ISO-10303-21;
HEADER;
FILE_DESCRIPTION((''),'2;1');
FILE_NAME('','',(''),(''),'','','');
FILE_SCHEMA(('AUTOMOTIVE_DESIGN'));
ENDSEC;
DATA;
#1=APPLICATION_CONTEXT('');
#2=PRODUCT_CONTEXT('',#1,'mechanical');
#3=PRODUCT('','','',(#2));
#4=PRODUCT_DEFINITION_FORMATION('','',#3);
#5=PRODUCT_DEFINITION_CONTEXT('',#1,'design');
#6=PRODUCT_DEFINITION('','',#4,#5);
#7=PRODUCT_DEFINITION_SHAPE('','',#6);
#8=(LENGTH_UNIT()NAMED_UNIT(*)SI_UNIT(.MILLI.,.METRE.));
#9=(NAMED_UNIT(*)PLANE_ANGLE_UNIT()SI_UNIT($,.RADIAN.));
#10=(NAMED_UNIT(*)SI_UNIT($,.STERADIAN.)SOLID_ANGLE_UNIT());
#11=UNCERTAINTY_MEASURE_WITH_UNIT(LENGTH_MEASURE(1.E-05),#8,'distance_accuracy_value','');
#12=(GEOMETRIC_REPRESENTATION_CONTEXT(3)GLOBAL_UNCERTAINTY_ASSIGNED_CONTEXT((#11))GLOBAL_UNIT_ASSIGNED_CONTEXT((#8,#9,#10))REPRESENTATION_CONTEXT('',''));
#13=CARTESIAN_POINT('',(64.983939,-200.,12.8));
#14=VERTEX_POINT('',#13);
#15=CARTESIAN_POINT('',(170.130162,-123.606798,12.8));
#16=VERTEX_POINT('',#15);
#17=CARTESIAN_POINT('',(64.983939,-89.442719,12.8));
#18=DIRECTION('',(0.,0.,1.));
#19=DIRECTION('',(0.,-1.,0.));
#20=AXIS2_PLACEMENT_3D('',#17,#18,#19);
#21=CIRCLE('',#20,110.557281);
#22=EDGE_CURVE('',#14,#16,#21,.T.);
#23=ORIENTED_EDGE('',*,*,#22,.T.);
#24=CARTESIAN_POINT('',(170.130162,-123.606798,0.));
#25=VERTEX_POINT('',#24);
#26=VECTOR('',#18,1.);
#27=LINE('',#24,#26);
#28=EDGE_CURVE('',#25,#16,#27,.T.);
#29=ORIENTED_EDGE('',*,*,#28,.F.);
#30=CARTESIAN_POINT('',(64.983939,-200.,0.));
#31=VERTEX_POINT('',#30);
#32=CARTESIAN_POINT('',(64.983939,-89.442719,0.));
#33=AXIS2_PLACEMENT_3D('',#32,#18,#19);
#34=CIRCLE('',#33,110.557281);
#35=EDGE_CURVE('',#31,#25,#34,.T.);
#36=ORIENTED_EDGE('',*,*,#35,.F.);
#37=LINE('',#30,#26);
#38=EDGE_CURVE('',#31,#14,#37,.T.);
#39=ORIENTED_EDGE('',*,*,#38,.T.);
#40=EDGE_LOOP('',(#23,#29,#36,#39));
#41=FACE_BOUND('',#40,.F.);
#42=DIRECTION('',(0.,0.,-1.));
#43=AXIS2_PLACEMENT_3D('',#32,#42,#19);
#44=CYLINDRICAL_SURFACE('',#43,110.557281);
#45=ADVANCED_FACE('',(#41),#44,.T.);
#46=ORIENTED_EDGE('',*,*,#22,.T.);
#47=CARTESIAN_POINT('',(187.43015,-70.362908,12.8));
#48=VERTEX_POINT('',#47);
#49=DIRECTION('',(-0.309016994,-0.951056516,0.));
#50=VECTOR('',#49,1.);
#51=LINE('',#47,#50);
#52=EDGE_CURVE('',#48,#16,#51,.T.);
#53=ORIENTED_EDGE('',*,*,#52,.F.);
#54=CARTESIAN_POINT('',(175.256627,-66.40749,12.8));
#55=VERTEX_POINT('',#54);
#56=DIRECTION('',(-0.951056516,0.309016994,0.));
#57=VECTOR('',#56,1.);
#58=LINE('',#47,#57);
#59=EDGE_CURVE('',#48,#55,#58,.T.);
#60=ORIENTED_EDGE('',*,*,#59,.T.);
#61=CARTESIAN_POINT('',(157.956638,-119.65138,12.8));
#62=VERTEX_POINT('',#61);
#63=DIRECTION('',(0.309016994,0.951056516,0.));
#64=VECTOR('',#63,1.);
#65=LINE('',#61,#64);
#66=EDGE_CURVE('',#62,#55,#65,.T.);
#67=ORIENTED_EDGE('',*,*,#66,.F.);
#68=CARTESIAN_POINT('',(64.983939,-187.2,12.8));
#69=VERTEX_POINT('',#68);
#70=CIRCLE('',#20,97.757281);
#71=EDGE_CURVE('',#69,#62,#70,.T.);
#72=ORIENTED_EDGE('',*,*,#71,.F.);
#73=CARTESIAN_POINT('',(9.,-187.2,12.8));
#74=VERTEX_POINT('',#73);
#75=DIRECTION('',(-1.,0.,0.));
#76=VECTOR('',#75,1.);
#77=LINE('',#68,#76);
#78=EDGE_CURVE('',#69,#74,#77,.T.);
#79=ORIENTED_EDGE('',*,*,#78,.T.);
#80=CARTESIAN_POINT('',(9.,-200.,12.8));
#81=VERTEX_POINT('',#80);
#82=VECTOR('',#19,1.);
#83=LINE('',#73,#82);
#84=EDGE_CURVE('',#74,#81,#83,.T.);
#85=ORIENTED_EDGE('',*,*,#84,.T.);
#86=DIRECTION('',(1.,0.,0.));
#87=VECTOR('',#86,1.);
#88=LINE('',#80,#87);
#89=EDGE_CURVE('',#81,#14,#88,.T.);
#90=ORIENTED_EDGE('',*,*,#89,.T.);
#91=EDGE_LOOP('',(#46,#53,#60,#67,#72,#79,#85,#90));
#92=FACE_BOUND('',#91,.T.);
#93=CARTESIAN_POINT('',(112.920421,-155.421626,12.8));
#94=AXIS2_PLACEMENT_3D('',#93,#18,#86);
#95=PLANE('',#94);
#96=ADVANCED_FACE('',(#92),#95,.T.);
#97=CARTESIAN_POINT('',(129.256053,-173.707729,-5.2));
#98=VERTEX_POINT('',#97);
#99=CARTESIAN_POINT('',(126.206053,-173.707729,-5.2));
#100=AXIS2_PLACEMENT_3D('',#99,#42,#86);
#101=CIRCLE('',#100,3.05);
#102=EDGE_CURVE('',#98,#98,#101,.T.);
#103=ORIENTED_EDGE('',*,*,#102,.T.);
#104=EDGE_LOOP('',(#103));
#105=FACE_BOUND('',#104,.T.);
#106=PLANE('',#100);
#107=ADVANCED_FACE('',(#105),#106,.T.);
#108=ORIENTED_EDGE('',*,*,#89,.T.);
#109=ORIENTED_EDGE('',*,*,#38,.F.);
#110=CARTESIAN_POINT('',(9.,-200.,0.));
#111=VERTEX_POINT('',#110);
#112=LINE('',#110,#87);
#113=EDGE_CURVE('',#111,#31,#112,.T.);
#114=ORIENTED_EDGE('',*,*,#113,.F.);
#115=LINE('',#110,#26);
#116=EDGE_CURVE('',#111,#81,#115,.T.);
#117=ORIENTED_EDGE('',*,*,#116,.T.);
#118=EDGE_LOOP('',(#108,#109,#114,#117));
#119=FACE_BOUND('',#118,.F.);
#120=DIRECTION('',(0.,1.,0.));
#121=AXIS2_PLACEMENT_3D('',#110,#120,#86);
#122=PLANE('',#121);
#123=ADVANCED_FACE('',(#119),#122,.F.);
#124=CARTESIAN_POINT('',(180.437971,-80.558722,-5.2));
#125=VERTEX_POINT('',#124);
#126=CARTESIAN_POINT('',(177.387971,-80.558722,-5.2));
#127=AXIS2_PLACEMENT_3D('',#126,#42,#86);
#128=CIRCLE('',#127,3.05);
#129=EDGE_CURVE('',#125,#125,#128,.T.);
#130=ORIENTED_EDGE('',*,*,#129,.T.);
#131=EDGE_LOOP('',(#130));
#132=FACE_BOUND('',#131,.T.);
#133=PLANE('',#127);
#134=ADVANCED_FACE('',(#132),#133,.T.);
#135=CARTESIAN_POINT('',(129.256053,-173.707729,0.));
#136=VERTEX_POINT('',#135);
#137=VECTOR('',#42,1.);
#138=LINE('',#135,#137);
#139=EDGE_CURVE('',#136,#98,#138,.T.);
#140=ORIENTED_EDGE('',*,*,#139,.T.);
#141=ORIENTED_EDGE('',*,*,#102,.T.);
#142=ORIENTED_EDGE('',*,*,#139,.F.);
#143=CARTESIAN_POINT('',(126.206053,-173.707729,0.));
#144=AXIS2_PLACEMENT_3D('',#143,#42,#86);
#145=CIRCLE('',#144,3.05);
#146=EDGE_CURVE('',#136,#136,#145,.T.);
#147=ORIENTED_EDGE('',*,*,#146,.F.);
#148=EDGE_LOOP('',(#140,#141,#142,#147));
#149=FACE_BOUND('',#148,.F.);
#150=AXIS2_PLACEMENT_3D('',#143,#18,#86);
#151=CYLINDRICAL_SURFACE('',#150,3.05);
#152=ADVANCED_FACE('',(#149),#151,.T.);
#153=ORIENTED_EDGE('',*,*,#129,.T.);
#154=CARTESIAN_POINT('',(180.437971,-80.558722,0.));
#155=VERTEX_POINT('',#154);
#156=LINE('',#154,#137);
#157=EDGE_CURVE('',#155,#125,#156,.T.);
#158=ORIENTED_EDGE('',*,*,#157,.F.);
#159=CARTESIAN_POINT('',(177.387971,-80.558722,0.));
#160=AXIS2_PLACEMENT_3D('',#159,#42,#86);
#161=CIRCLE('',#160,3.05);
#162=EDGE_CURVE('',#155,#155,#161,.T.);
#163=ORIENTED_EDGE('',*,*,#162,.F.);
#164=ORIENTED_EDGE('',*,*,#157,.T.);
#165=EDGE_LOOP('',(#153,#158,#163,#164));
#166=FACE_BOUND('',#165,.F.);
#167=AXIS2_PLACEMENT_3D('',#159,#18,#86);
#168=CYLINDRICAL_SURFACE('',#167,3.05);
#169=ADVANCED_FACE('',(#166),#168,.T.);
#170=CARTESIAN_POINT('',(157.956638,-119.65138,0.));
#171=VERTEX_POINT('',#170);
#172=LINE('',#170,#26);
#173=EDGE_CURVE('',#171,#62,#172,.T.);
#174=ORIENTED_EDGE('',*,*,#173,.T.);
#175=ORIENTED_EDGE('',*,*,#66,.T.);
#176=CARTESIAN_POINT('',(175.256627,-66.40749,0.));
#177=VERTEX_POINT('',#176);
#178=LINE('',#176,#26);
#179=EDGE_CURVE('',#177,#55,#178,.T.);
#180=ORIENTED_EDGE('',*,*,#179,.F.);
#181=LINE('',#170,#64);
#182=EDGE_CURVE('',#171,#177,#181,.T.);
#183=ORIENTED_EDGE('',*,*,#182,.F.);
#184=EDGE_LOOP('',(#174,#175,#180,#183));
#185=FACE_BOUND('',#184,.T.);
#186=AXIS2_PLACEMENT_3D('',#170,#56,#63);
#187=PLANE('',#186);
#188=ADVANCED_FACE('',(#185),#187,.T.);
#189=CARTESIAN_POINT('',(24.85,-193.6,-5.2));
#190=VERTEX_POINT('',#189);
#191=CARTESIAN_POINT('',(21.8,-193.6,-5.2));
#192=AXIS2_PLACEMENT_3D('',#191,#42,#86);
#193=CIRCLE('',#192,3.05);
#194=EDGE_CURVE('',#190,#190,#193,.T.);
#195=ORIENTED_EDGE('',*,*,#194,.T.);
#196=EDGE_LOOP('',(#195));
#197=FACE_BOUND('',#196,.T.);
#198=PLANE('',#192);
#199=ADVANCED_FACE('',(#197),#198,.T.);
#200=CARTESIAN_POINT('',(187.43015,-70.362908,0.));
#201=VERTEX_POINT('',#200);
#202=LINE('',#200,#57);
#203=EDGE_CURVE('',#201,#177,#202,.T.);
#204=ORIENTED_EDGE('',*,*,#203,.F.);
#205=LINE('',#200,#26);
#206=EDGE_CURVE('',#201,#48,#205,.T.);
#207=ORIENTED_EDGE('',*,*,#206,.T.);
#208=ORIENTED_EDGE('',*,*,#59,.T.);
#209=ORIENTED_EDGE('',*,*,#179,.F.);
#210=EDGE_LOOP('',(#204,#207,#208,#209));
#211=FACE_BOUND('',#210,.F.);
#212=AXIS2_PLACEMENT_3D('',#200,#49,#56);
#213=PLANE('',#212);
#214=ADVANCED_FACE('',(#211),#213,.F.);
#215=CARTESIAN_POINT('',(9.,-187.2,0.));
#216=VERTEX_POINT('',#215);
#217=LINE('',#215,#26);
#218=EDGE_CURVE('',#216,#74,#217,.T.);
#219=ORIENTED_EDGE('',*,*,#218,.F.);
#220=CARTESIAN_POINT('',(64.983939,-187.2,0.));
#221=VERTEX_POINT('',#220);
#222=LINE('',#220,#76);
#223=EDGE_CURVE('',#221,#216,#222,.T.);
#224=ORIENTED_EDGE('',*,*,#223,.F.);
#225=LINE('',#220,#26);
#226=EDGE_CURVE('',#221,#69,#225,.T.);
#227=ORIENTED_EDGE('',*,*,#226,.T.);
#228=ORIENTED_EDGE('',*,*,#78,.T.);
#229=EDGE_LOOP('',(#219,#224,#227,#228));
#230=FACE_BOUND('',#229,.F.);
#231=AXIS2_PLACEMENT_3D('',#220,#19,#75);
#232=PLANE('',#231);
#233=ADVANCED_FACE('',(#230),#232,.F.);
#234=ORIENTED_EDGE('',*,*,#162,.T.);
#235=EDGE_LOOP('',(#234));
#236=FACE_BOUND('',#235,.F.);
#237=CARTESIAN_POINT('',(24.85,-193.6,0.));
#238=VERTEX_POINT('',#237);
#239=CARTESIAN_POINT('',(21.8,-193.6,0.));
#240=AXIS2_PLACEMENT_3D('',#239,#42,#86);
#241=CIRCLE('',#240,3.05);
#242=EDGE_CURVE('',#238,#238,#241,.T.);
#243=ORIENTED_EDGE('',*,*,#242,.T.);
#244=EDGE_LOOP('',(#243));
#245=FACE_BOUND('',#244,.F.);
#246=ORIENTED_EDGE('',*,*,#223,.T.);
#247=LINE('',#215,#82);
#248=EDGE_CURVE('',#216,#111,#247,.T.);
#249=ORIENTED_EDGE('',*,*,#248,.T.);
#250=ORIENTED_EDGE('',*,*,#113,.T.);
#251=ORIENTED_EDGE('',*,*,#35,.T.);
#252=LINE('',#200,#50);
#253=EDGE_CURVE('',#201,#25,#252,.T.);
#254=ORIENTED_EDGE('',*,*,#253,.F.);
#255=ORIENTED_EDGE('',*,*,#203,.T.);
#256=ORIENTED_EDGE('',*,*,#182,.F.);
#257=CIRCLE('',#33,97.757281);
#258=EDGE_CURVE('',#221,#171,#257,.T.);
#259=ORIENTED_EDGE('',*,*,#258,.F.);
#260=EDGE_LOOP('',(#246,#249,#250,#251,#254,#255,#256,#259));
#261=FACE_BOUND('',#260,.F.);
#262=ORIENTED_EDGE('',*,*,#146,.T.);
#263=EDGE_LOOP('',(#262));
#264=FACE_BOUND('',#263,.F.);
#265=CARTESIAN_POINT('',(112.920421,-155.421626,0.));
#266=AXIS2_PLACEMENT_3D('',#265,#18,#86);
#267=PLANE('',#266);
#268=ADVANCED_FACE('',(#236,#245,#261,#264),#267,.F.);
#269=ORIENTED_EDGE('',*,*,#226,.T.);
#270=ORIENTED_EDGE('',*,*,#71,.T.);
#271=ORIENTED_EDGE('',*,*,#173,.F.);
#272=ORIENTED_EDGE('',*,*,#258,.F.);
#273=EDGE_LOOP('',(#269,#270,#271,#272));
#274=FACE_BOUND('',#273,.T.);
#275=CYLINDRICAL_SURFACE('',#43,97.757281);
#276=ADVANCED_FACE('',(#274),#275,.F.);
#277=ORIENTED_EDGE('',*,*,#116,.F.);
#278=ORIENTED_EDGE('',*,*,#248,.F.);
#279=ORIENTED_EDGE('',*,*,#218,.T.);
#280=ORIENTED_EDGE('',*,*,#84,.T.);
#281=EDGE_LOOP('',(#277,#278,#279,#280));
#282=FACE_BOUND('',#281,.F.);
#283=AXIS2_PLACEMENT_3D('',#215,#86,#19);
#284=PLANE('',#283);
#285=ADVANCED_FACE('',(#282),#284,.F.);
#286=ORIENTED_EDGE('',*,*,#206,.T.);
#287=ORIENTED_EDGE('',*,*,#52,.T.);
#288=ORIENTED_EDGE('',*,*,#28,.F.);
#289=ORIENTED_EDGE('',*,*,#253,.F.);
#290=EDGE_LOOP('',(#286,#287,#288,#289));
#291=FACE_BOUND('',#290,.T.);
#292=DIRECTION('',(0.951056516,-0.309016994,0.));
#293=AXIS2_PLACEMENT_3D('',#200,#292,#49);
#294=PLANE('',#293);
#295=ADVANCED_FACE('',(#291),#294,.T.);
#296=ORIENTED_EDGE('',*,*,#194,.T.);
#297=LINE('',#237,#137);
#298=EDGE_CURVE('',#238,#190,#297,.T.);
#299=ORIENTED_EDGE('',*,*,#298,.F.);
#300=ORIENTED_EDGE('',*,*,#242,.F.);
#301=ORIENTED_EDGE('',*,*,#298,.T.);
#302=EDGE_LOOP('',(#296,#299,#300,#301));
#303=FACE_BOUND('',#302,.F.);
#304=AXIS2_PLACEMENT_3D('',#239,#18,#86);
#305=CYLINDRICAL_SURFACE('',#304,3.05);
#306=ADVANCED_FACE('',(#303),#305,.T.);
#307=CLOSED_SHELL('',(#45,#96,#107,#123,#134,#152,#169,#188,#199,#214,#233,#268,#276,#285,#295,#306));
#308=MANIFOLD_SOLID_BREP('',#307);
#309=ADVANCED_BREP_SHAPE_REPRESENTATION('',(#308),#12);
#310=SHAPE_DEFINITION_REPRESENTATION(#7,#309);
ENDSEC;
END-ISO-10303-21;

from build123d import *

# Parameters (mm, degrees)
PAD007_DEPTH = 12.8
SKETCH026_R  = 3.05
PAD008_DEPTH = 5.2
SKETCH027_R  = 3.05
PAD009_DEPTH = 5.2
SKETCH028_R  = 3.05
PAD010_DEPTH = 5.2


with BuildPart() as part:
    # Sketch025 → Pad007 (new body)
    with BuildSketch(Plane.XY):
        with BuildLine():
            Line((64.9839392466, -187.2), (9, -187.2))
            Line((9, -187.2), (9, -200))
            Line((9, -200), (64.9839392466, -200))
            ThreePointArc((64.9839392466, -200), (129.9678784932, -178.8854382), (170.1301616704, -123.60679775))
            Line((187.4301503097, -70.3629075216), (170.1301616704, -123.60679775))
            Line((187.4301503097, -70.3629075216), (175.2566269011, -66.4074899936))
            Line((157.9566382618, -119.651380222), (175.2566269011, -66.4074899936))
            ThreePointArc((64.9839392466, -187.2), (122.4442272638, -168.530020672), (157.9566382618, -119.651380222))
        make_face()
    extrude(amount=PAD007_DEPTH)

    # Sketch026 (on Face9 of Pad007) → Pad008 (join)
    with BuildSketch(Plane(origin=(0, 0, 0), x_dir=(1, 0, 0), z_dir=(0, 0, -1))):
        with Locations((21.8, 193.6)):
            Circle(SKETCH026_R)
    extrude(amount=PAD008_DEPTH)

    # Sketch027 (on Face4 of Pad008) → Pad009 (join)
    with BuildSketch(Plane(origin=(0, 0, 0), x_dir=(1, 0, 0), z_dir=(0, 0, -1))):
        with Locations((126.2060528785, 173.707729436)):
            Circle(SKETCH027_R)
    extrude(amount=PAD009_DEPTH)

    # Sketch028 (on Face4 of Pad009) → Pad010 (join)
    with BuildSketch(Plane(origin=(0, 0, 0), x_dir=(1, 0, 0), z_dir=(0, 0, -1))):
        with Locations((177.3879710774, 80.5587221662)):
            Circle(SKETCH028_R)
    extrude(amount=PAD010_DEPTH)


solid = part.part
